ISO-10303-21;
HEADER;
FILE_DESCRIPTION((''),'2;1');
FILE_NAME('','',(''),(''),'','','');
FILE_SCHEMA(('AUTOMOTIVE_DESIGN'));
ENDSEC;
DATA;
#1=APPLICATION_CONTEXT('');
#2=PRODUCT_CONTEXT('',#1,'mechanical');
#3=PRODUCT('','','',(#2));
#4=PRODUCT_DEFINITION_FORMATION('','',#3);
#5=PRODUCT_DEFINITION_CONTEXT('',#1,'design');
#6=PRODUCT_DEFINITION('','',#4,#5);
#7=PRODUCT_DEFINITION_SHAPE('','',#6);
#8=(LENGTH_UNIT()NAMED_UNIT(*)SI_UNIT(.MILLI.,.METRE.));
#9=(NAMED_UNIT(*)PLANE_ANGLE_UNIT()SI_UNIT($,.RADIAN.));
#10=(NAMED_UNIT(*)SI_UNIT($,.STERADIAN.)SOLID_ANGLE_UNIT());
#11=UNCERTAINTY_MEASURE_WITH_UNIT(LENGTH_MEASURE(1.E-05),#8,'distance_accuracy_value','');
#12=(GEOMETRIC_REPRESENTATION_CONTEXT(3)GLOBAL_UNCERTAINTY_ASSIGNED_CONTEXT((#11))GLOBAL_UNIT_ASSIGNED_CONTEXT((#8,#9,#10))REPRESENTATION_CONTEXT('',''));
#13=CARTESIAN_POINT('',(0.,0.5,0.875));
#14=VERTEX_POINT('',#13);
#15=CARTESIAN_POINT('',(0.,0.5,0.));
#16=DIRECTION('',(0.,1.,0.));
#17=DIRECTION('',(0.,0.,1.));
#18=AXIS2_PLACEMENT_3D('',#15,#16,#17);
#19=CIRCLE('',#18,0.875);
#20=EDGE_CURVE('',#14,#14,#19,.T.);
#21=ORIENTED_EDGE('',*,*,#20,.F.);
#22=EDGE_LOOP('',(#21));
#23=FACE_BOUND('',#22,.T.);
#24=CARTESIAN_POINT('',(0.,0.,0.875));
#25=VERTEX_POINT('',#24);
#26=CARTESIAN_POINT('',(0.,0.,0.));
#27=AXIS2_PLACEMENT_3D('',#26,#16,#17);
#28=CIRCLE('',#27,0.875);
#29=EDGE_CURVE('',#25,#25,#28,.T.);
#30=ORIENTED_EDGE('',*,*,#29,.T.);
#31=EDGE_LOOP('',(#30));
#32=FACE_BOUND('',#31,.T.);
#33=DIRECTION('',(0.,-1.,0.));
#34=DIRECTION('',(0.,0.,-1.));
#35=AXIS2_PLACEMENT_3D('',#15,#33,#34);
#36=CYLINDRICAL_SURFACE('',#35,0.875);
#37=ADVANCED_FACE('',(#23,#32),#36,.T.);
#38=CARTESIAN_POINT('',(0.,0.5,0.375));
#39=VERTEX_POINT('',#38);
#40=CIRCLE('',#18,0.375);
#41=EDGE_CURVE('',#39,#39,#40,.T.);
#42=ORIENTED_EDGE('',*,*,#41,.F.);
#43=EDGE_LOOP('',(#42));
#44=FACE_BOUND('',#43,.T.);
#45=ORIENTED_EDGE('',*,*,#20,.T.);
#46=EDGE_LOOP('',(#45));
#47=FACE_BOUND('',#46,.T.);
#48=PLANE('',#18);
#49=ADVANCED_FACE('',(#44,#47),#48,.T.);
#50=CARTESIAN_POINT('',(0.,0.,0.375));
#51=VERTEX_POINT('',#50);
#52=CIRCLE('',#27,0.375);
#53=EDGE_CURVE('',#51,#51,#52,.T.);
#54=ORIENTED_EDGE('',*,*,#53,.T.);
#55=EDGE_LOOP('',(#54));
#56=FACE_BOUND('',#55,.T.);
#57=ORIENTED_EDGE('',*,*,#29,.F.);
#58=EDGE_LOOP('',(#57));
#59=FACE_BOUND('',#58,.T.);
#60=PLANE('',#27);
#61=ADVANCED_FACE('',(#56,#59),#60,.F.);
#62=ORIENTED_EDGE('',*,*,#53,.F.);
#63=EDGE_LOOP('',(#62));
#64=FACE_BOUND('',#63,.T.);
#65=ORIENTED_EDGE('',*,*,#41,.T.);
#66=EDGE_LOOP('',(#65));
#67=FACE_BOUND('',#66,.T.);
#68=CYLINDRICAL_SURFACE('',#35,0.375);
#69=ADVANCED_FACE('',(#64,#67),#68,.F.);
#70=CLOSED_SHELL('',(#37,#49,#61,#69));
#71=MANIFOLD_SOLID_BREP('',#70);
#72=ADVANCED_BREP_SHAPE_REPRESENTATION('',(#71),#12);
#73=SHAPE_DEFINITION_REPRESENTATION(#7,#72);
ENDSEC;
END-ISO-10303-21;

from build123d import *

# Parameters (mm, degrees)
SKETCH1_R           = 0.875
SKETCH1_R_2         = 0.375
BOSS_EXTRUDE2_DEPTH = 0.5


with BuildPart() as part:
    # Sketch1 → Boss-Extrude2 (new body)
    with BuildSketch(Plane(origin=(0, 0, 0), x_dir=(1, 0, 0), z_dir=(0, 1, 0))):
        Circle(SKETCH1_R)
        Circle(SKETCH1_R_2, mode=Mode.SUBTRACT)
    extrude(amount=BOSS_EXTRUDE2_DEPTH)


solid = part.part
